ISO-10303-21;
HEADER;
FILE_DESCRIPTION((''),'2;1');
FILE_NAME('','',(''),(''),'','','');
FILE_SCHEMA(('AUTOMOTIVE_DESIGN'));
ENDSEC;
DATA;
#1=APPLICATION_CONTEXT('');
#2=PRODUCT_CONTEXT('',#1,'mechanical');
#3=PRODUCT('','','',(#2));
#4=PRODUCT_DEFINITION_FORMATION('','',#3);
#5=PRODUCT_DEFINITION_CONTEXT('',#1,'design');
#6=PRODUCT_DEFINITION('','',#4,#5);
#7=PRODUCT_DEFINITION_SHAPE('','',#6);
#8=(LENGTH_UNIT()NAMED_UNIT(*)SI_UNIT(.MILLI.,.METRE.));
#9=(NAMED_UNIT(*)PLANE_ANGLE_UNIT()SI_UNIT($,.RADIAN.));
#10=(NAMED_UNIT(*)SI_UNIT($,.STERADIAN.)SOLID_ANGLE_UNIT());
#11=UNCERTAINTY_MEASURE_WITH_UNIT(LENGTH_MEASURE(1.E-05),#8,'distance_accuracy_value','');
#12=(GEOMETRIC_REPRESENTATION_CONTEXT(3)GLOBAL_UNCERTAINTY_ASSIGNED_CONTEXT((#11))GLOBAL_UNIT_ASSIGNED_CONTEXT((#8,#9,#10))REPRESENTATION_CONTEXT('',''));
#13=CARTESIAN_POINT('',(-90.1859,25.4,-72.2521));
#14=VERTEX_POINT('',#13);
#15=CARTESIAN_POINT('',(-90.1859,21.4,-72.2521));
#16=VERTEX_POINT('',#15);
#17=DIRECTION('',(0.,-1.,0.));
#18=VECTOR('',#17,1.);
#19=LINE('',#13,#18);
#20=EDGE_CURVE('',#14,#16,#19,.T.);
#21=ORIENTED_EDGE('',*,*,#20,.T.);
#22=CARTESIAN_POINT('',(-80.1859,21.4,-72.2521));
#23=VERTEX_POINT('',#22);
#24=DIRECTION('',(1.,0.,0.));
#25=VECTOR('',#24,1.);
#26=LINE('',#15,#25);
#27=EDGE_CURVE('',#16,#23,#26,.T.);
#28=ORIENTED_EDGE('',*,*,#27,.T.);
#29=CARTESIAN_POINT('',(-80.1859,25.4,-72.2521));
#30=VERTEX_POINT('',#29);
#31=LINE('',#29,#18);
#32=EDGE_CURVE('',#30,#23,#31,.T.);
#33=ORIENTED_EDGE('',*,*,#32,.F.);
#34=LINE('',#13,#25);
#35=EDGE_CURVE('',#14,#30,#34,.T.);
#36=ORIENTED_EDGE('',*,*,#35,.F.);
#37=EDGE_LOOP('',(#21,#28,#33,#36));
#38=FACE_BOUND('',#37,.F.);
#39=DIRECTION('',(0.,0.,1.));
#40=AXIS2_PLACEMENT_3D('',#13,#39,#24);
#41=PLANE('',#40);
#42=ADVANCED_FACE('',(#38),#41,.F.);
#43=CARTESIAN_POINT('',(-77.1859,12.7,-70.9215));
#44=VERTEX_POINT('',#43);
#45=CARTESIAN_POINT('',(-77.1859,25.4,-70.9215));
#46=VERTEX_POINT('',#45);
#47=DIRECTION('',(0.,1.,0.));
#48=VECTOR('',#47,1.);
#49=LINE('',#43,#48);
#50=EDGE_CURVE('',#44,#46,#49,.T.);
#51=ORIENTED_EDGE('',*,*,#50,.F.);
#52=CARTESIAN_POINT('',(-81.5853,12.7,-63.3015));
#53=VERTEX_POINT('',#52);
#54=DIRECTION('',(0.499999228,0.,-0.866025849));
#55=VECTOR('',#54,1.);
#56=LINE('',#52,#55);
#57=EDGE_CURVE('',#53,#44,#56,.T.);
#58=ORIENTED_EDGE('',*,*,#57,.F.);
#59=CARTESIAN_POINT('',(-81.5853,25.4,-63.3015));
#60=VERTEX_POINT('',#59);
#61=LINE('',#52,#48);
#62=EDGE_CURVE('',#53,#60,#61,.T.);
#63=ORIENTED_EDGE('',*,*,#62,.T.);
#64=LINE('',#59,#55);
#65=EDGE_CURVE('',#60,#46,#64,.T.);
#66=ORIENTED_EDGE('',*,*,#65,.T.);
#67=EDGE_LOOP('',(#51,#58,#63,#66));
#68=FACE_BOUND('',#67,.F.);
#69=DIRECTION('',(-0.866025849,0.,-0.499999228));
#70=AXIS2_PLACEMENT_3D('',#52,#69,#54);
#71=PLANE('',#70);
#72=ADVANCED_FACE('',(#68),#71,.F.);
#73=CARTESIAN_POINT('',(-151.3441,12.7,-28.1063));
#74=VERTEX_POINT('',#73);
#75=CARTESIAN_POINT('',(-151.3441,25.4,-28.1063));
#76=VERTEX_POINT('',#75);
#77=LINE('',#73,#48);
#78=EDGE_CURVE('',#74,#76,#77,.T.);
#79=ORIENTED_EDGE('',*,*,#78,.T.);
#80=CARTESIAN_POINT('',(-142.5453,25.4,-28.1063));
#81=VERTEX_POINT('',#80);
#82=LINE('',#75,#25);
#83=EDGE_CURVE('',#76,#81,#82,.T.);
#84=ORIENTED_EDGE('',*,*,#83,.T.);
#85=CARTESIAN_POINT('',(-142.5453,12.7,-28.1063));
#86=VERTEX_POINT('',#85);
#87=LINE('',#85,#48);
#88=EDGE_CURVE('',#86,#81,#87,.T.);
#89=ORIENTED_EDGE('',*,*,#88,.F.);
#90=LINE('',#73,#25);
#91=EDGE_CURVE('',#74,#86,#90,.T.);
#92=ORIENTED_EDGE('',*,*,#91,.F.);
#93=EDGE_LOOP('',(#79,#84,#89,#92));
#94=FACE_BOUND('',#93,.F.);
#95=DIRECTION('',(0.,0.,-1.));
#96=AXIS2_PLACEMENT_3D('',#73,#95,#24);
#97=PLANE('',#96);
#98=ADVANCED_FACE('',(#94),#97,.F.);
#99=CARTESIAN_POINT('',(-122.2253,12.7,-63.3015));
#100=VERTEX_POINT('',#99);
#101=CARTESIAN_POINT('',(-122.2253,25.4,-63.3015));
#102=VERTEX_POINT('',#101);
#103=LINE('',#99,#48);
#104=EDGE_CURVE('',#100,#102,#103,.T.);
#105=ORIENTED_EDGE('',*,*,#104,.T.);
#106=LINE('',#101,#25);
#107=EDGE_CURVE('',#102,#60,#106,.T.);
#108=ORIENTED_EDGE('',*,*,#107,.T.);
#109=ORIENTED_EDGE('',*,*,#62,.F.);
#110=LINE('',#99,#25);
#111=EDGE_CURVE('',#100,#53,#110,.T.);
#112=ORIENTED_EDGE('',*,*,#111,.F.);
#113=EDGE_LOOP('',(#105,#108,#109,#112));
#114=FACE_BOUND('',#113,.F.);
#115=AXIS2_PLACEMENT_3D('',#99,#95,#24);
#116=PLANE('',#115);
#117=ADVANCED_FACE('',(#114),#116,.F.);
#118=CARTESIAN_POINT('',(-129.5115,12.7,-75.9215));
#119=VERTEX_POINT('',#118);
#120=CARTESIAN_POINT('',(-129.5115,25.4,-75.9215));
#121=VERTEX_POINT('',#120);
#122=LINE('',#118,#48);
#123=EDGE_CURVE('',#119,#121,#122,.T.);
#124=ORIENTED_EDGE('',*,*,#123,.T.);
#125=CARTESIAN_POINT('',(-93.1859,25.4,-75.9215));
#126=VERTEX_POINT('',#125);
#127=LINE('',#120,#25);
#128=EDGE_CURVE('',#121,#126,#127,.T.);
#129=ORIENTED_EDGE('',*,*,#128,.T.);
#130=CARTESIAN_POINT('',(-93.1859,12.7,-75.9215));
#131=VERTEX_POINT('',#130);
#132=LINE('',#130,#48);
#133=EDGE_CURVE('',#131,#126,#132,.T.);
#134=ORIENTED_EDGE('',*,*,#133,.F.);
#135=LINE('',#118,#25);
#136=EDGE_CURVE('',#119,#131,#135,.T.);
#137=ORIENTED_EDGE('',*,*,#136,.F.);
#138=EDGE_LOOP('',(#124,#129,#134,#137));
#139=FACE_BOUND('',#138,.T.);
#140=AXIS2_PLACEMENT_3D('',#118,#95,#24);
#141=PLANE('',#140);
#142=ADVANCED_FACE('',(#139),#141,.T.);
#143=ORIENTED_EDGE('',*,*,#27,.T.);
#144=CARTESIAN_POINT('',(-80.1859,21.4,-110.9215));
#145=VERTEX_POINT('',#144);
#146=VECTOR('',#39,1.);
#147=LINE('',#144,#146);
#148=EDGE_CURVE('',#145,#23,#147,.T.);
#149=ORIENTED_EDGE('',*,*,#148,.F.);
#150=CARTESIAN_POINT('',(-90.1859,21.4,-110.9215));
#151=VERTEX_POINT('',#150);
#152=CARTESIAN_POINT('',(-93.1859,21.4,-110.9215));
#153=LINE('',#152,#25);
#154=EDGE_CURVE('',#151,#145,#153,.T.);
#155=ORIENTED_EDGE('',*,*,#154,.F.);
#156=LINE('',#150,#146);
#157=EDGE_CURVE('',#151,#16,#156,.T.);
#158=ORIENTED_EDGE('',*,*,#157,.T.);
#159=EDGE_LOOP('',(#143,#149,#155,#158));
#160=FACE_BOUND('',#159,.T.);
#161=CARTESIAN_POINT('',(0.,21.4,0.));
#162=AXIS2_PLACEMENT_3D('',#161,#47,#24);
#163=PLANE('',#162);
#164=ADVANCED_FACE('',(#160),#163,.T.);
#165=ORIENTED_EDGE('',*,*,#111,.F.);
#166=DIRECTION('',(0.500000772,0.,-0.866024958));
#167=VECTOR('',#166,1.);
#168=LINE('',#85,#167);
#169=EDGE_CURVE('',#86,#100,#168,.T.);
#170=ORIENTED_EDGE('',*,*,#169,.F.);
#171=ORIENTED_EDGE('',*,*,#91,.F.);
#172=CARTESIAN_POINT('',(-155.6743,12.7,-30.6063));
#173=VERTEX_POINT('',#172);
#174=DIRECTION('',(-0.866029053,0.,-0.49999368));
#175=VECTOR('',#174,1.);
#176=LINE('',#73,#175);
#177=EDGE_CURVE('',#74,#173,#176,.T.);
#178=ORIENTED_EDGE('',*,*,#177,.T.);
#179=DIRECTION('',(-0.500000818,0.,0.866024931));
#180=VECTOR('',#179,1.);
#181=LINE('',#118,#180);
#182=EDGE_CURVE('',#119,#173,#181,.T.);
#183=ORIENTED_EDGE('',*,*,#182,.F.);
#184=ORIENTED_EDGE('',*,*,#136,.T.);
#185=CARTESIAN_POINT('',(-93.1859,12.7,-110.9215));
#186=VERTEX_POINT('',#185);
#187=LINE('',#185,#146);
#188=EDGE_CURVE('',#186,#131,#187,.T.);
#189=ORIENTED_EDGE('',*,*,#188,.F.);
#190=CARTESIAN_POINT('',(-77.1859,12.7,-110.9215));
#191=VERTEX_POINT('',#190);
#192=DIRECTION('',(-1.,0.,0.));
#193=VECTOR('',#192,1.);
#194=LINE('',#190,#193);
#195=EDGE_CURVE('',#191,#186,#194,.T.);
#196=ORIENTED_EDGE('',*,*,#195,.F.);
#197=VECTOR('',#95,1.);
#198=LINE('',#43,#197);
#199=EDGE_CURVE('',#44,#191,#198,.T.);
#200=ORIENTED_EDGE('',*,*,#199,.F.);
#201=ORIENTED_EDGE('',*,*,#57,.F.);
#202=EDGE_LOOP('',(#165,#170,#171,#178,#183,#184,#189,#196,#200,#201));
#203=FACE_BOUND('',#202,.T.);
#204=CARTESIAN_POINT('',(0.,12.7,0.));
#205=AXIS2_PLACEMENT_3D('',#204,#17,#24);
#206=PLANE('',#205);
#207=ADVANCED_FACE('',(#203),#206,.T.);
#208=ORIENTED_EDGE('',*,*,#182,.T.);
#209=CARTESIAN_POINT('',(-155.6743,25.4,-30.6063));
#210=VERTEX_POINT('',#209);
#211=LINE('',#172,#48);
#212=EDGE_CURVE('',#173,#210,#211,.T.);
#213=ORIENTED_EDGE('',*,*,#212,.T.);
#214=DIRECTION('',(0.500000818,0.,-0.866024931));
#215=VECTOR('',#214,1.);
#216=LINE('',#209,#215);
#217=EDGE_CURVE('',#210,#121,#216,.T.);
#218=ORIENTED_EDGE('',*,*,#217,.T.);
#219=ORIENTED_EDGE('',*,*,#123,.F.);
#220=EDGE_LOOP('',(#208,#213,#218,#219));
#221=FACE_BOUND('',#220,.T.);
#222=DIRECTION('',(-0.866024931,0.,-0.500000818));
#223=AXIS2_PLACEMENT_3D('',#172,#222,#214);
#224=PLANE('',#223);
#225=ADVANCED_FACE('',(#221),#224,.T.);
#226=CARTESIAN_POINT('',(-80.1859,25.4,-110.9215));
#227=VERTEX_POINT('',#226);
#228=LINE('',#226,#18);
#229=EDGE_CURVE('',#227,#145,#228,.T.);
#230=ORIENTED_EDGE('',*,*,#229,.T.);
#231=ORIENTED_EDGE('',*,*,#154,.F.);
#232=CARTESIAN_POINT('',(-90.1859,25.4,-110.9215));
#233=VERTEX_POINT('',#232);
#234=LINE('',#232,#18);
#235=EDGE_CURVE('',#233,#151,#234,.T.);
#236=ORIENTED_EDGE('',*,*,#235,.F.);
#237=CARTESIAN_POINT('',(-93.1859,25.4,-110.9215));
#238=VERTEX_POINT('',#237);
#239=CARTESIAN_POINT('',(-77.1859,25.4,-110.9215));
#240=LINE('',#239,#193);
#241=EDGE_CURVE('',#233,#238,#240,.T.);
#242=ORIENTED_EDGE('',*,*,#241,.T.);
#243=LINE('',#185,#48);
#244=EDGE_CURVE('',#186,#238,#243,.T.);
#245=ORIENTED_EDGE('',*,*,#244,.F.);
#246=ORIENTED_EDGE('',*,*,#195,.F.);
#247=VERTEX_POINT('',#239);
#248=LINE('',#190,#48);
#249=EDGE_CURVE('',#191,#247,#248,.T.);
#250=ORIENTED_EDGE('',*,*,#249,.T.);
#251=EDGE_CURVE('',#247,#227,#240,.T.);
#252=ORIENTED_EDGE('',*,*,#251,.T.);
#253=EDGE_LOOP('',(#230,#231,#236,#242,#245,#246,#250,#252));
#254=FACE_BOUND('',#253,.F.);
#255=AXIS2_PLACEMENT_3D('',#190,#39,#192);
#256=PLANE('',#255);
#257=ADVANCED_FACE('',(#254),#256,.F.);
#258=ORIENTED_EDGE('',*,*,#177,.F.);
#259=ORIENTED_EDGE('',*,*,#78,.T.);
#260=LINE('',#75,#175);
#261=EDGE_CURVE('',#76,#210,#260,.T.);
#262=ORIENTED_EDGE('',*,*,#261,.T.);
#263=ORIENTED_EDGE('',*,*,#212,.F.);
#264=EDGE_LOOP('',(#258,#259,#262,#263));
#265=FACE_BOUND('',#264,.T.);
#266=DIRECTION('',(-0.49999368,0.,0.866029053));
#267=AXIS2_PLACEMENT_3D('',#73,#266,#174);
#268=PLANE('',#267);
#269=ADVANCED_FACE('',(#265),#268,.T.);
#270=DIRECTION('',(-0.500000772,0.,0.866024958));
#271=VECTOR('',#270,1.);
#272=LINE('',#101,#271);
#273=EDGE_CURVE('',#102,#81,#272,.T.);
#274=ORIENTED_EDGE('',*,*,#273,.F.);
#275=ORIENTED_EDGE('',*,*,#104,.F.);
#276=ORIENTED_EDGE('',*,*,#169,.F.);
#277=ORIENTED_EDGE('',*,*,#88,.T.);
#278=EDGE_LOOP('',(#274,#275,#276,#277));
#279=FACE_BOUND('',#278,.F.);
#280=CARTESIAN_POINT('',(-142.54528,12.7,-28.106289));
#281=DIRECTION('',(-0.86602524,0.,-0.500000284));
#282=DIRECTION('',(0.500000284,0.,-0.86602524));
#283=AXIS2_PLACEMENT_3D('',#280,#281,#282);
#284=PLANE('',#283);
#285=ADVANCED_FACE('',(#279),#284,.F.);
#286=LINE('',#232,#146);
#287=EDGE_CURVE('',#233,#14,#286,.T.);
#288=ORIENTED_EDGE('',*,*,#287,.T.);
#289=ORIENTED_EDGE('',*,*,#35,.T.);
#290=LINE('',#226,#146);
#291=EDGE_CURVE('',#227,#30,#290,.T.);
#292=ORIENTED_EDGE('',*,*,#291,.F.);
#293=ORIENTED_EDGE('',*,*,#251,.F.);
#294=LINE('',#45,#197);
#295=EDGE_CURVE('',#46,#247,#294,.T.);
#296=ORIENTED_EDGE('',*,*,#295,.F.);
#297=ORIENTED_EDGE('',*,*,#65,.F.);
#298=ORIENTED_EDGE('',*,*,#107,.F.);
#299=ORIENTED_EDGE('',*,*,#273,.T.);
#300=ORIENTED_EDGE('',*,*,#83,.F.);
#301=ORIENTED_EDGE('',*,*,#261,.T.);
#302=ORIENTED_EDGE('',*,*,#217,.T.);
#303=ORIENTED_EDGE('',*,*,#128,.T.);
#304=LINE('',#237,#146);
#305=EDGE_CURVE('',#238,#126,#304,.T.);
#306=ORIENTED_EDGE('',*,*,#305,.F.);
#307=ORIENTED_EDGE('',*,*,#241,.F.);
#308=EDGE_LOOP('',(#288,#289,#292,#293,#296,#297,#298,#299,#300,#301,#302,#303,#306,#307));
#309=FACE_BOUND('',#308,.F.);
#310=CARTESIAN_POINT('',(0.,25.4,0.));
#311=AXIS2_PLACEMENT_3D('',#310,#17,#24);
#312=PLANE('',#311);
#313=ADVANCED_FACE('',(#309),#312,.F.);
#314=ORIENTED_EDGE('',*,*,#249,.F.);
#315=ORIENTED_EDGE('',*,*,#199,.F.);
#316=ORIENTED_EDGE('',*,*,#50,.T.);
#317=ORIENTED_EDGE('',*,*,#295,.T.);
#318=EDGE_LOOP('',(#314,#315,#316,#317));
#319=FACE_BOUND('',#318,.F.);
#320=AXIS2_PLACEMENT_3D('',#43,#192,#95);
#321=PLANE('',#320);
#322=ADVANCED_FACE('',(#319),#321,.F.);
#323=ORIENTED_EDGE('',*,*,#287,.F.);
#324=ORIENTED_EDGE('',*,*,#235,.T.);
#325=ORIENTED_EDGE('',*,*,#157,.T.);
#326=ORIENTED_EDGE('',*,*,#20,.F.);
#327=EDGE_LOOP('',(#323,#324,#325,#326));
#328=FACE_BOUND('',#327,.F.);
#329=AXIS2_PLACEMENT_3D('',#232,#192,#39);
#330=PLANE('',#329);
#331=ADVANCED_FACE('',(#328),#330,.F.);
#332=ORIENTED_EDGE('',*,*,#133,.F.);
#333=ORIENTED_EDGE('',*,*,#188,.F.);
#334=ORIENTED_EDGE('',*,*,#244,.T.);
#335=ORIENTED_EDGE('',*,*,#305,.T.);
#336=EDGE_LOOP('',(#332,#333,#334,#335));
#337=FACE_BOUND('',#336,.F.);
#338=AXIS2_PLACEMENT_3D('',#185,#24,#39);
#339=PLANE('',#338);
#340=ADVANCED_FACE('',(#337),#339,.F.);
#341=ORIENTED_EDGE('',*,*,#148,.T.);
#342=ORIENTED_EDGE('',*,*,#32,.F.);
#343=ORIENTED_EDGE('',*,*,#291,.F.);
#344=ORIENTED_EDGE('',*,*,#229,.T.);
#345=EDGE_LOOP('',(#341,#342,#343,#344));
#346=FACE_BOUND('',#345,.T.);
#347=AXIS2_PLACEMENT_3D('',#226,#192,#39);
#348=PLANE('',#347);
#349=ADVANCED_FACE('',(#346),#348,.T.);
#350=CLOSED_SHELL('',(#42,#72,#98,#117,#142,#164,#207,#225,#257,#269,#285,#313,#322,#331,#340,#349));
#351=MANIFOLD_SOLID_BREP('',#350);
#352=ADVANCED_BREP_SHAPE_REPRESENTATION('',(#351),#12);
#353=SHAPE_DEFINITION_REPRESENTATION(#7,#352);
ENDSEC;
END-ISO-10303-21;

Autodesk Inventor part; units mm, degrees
ref_plane "YZ Plane" through (0, 0, 0) normal (1, 0, 0) x (0, 1, 0)
ref_plane "Work Plane1" through (0, 12.7, 0) normal (0, 1, 0) x (1, 0, 0)
sketch "Sketch3" plane through (0, 12.7, 0) normal (0, 1, 0) x (1, 0, 0)
  line L0 (-144.4503, 24.8067) -> (-122.2253, 63.3015)
  line L1 (-126.6247, 70.9215) -> (-122.2253, 63.3015)
  line L2 (-122.2253, 63.3015) -> (-81.5853, 63.3015)
  line L3 (-126.6247, 70.9215) -> (-151.3441, 28.1063)
  line L4 (-133.3378, 44.0541) -> (-139.9369, 47.8641)
  line L5 (-151.3441, 28.1063) -> (-142.5453, 28.1063)
  line L6 (-126.6247, 70.9215) -> (-77.1859, 70.9215)
  line L7 (-81.5853, 63.3015) -> (-77.1859, 70.9215)
  line L8 (-151.3441, 28.1063) -> (-155.6743, 30.6063)
  line L9 (-151.3441, 28.1063) -> (-146.3441, 28.1063) construction
  line L10 (-155.6743, 30.6063) -> (-129.5115, 75.9215)
  line L11 (-130.9549, 73.4215) -> (-126.6247, 70.9215)
  line L12 (-126.6247, 70.9215) -> (-129.5115, 75.9215)
  line L13 (-126.6247, 70.9215) -> (-119.7825, 70.9215) construction
  line L14 (-80.0727, 75.9215) -> (-77.1859, 70.9215)
  line L15 (-129.5115, 75.9215) -> (-80.0727, 75.9215)
  line L16 (-91.4611, 75.9215) -> (-90.9796, 70.9215)
  point P0 (-77.3883, 70.9215)
  dimension "d84" = 44.45
  dimension "d85" = 120
  dimension "d86" = 7.62
  dimension "d105" = 120
  dimension "d133" = 40.64
  dimension "d134" = 120
  dimension "d135" = 7.62
  dimension "d160" = 90
  dimension "d163" = 5
  dimension "d164" = 150
  dimension "d166" = 5
  dimension "d168" = 120
ref_plane "Work Plane2" through (0, 88.9, 0) normal (0, 1, 0) x (1, 0, 0)
extrude "Extrusion16" add sketch "Sketch3" along normal blind 12.7 contours L5 L3 L4 L0 | L4 L3 L1 L0 | L1 L6 L7 L2
sketch "Sketch8" plane through (0, 12.7, 0) normal (0, -1, 0) x (1, 0, 0)
  line L0 (-81.5853, -63.3015) -> (-77.1859, -70.9215) projected
  line L1 (-77.1859, -70.9215) -> (-73.0826, -70.9215) construction
  line L2 (-77.1859, -70.9215) -> (-77.1859, -110.9215)
  line L3 (-77.1859, -70.9215) -> (-126.6247, -70.9215) projected
  line L4 (-77.1859, -70.9215) -> (-37.1859, -70.9215) construction
  line L5 (-77.1859, -110.9215) -> (-93.1859, -110.9215)
  line L6 (-93.1859, -110.9215) -> (-93.1859, -70.9215)
  point P0 (0, 0)
  dimension "d137" = 40
  dimension "d138" = 90
  dimension "d139" = 16
extrude "Extrusion18" add sketch "Sketch8" against normal blind 12.7
sketch "Sketch9" plane through (0, 25.4, 0) normal (0, 1, 0) x (1, 0, 0)
  line L0 (-93.1859, 110.9215) -> (-77.1859, 110.9215) projected
  line L1 (-77.1859, 110.9215) -> (-80.1859, 110.9215)
  line L2 (-93.1859, 110.9215) -> (-90.1859, 110.9215)
  line L3 (-80.1859, 110.9215) -> (-80.1859, 72.2521)
  line L4 (-80.1859, 110.9215) -> (-41.5165, 110.9215) construction
  line L5 (-90.1859, 110.9215) -> (-90.1859, 72.2521)
  line L6 (-90.1859, 72.2521) -> (-80.1859, 72.2521)
  point P0 (0, 0)
  dimension "d142" = 3
  dimension "d143" = 3
  dimension "d144" = 90
extrude "Extrusion20" [suppressed]
extrude "Extrusion21" cut sketch "Sketch9" against normal blind 4
extrude "Extrusion22" add sketch "Sketch3" along normal blind 12.7 contours L8 L10 L11 L3 | L12 L15 L16 L6 | L11 L10 L12
properties part number "HorizGrabberMoving"
